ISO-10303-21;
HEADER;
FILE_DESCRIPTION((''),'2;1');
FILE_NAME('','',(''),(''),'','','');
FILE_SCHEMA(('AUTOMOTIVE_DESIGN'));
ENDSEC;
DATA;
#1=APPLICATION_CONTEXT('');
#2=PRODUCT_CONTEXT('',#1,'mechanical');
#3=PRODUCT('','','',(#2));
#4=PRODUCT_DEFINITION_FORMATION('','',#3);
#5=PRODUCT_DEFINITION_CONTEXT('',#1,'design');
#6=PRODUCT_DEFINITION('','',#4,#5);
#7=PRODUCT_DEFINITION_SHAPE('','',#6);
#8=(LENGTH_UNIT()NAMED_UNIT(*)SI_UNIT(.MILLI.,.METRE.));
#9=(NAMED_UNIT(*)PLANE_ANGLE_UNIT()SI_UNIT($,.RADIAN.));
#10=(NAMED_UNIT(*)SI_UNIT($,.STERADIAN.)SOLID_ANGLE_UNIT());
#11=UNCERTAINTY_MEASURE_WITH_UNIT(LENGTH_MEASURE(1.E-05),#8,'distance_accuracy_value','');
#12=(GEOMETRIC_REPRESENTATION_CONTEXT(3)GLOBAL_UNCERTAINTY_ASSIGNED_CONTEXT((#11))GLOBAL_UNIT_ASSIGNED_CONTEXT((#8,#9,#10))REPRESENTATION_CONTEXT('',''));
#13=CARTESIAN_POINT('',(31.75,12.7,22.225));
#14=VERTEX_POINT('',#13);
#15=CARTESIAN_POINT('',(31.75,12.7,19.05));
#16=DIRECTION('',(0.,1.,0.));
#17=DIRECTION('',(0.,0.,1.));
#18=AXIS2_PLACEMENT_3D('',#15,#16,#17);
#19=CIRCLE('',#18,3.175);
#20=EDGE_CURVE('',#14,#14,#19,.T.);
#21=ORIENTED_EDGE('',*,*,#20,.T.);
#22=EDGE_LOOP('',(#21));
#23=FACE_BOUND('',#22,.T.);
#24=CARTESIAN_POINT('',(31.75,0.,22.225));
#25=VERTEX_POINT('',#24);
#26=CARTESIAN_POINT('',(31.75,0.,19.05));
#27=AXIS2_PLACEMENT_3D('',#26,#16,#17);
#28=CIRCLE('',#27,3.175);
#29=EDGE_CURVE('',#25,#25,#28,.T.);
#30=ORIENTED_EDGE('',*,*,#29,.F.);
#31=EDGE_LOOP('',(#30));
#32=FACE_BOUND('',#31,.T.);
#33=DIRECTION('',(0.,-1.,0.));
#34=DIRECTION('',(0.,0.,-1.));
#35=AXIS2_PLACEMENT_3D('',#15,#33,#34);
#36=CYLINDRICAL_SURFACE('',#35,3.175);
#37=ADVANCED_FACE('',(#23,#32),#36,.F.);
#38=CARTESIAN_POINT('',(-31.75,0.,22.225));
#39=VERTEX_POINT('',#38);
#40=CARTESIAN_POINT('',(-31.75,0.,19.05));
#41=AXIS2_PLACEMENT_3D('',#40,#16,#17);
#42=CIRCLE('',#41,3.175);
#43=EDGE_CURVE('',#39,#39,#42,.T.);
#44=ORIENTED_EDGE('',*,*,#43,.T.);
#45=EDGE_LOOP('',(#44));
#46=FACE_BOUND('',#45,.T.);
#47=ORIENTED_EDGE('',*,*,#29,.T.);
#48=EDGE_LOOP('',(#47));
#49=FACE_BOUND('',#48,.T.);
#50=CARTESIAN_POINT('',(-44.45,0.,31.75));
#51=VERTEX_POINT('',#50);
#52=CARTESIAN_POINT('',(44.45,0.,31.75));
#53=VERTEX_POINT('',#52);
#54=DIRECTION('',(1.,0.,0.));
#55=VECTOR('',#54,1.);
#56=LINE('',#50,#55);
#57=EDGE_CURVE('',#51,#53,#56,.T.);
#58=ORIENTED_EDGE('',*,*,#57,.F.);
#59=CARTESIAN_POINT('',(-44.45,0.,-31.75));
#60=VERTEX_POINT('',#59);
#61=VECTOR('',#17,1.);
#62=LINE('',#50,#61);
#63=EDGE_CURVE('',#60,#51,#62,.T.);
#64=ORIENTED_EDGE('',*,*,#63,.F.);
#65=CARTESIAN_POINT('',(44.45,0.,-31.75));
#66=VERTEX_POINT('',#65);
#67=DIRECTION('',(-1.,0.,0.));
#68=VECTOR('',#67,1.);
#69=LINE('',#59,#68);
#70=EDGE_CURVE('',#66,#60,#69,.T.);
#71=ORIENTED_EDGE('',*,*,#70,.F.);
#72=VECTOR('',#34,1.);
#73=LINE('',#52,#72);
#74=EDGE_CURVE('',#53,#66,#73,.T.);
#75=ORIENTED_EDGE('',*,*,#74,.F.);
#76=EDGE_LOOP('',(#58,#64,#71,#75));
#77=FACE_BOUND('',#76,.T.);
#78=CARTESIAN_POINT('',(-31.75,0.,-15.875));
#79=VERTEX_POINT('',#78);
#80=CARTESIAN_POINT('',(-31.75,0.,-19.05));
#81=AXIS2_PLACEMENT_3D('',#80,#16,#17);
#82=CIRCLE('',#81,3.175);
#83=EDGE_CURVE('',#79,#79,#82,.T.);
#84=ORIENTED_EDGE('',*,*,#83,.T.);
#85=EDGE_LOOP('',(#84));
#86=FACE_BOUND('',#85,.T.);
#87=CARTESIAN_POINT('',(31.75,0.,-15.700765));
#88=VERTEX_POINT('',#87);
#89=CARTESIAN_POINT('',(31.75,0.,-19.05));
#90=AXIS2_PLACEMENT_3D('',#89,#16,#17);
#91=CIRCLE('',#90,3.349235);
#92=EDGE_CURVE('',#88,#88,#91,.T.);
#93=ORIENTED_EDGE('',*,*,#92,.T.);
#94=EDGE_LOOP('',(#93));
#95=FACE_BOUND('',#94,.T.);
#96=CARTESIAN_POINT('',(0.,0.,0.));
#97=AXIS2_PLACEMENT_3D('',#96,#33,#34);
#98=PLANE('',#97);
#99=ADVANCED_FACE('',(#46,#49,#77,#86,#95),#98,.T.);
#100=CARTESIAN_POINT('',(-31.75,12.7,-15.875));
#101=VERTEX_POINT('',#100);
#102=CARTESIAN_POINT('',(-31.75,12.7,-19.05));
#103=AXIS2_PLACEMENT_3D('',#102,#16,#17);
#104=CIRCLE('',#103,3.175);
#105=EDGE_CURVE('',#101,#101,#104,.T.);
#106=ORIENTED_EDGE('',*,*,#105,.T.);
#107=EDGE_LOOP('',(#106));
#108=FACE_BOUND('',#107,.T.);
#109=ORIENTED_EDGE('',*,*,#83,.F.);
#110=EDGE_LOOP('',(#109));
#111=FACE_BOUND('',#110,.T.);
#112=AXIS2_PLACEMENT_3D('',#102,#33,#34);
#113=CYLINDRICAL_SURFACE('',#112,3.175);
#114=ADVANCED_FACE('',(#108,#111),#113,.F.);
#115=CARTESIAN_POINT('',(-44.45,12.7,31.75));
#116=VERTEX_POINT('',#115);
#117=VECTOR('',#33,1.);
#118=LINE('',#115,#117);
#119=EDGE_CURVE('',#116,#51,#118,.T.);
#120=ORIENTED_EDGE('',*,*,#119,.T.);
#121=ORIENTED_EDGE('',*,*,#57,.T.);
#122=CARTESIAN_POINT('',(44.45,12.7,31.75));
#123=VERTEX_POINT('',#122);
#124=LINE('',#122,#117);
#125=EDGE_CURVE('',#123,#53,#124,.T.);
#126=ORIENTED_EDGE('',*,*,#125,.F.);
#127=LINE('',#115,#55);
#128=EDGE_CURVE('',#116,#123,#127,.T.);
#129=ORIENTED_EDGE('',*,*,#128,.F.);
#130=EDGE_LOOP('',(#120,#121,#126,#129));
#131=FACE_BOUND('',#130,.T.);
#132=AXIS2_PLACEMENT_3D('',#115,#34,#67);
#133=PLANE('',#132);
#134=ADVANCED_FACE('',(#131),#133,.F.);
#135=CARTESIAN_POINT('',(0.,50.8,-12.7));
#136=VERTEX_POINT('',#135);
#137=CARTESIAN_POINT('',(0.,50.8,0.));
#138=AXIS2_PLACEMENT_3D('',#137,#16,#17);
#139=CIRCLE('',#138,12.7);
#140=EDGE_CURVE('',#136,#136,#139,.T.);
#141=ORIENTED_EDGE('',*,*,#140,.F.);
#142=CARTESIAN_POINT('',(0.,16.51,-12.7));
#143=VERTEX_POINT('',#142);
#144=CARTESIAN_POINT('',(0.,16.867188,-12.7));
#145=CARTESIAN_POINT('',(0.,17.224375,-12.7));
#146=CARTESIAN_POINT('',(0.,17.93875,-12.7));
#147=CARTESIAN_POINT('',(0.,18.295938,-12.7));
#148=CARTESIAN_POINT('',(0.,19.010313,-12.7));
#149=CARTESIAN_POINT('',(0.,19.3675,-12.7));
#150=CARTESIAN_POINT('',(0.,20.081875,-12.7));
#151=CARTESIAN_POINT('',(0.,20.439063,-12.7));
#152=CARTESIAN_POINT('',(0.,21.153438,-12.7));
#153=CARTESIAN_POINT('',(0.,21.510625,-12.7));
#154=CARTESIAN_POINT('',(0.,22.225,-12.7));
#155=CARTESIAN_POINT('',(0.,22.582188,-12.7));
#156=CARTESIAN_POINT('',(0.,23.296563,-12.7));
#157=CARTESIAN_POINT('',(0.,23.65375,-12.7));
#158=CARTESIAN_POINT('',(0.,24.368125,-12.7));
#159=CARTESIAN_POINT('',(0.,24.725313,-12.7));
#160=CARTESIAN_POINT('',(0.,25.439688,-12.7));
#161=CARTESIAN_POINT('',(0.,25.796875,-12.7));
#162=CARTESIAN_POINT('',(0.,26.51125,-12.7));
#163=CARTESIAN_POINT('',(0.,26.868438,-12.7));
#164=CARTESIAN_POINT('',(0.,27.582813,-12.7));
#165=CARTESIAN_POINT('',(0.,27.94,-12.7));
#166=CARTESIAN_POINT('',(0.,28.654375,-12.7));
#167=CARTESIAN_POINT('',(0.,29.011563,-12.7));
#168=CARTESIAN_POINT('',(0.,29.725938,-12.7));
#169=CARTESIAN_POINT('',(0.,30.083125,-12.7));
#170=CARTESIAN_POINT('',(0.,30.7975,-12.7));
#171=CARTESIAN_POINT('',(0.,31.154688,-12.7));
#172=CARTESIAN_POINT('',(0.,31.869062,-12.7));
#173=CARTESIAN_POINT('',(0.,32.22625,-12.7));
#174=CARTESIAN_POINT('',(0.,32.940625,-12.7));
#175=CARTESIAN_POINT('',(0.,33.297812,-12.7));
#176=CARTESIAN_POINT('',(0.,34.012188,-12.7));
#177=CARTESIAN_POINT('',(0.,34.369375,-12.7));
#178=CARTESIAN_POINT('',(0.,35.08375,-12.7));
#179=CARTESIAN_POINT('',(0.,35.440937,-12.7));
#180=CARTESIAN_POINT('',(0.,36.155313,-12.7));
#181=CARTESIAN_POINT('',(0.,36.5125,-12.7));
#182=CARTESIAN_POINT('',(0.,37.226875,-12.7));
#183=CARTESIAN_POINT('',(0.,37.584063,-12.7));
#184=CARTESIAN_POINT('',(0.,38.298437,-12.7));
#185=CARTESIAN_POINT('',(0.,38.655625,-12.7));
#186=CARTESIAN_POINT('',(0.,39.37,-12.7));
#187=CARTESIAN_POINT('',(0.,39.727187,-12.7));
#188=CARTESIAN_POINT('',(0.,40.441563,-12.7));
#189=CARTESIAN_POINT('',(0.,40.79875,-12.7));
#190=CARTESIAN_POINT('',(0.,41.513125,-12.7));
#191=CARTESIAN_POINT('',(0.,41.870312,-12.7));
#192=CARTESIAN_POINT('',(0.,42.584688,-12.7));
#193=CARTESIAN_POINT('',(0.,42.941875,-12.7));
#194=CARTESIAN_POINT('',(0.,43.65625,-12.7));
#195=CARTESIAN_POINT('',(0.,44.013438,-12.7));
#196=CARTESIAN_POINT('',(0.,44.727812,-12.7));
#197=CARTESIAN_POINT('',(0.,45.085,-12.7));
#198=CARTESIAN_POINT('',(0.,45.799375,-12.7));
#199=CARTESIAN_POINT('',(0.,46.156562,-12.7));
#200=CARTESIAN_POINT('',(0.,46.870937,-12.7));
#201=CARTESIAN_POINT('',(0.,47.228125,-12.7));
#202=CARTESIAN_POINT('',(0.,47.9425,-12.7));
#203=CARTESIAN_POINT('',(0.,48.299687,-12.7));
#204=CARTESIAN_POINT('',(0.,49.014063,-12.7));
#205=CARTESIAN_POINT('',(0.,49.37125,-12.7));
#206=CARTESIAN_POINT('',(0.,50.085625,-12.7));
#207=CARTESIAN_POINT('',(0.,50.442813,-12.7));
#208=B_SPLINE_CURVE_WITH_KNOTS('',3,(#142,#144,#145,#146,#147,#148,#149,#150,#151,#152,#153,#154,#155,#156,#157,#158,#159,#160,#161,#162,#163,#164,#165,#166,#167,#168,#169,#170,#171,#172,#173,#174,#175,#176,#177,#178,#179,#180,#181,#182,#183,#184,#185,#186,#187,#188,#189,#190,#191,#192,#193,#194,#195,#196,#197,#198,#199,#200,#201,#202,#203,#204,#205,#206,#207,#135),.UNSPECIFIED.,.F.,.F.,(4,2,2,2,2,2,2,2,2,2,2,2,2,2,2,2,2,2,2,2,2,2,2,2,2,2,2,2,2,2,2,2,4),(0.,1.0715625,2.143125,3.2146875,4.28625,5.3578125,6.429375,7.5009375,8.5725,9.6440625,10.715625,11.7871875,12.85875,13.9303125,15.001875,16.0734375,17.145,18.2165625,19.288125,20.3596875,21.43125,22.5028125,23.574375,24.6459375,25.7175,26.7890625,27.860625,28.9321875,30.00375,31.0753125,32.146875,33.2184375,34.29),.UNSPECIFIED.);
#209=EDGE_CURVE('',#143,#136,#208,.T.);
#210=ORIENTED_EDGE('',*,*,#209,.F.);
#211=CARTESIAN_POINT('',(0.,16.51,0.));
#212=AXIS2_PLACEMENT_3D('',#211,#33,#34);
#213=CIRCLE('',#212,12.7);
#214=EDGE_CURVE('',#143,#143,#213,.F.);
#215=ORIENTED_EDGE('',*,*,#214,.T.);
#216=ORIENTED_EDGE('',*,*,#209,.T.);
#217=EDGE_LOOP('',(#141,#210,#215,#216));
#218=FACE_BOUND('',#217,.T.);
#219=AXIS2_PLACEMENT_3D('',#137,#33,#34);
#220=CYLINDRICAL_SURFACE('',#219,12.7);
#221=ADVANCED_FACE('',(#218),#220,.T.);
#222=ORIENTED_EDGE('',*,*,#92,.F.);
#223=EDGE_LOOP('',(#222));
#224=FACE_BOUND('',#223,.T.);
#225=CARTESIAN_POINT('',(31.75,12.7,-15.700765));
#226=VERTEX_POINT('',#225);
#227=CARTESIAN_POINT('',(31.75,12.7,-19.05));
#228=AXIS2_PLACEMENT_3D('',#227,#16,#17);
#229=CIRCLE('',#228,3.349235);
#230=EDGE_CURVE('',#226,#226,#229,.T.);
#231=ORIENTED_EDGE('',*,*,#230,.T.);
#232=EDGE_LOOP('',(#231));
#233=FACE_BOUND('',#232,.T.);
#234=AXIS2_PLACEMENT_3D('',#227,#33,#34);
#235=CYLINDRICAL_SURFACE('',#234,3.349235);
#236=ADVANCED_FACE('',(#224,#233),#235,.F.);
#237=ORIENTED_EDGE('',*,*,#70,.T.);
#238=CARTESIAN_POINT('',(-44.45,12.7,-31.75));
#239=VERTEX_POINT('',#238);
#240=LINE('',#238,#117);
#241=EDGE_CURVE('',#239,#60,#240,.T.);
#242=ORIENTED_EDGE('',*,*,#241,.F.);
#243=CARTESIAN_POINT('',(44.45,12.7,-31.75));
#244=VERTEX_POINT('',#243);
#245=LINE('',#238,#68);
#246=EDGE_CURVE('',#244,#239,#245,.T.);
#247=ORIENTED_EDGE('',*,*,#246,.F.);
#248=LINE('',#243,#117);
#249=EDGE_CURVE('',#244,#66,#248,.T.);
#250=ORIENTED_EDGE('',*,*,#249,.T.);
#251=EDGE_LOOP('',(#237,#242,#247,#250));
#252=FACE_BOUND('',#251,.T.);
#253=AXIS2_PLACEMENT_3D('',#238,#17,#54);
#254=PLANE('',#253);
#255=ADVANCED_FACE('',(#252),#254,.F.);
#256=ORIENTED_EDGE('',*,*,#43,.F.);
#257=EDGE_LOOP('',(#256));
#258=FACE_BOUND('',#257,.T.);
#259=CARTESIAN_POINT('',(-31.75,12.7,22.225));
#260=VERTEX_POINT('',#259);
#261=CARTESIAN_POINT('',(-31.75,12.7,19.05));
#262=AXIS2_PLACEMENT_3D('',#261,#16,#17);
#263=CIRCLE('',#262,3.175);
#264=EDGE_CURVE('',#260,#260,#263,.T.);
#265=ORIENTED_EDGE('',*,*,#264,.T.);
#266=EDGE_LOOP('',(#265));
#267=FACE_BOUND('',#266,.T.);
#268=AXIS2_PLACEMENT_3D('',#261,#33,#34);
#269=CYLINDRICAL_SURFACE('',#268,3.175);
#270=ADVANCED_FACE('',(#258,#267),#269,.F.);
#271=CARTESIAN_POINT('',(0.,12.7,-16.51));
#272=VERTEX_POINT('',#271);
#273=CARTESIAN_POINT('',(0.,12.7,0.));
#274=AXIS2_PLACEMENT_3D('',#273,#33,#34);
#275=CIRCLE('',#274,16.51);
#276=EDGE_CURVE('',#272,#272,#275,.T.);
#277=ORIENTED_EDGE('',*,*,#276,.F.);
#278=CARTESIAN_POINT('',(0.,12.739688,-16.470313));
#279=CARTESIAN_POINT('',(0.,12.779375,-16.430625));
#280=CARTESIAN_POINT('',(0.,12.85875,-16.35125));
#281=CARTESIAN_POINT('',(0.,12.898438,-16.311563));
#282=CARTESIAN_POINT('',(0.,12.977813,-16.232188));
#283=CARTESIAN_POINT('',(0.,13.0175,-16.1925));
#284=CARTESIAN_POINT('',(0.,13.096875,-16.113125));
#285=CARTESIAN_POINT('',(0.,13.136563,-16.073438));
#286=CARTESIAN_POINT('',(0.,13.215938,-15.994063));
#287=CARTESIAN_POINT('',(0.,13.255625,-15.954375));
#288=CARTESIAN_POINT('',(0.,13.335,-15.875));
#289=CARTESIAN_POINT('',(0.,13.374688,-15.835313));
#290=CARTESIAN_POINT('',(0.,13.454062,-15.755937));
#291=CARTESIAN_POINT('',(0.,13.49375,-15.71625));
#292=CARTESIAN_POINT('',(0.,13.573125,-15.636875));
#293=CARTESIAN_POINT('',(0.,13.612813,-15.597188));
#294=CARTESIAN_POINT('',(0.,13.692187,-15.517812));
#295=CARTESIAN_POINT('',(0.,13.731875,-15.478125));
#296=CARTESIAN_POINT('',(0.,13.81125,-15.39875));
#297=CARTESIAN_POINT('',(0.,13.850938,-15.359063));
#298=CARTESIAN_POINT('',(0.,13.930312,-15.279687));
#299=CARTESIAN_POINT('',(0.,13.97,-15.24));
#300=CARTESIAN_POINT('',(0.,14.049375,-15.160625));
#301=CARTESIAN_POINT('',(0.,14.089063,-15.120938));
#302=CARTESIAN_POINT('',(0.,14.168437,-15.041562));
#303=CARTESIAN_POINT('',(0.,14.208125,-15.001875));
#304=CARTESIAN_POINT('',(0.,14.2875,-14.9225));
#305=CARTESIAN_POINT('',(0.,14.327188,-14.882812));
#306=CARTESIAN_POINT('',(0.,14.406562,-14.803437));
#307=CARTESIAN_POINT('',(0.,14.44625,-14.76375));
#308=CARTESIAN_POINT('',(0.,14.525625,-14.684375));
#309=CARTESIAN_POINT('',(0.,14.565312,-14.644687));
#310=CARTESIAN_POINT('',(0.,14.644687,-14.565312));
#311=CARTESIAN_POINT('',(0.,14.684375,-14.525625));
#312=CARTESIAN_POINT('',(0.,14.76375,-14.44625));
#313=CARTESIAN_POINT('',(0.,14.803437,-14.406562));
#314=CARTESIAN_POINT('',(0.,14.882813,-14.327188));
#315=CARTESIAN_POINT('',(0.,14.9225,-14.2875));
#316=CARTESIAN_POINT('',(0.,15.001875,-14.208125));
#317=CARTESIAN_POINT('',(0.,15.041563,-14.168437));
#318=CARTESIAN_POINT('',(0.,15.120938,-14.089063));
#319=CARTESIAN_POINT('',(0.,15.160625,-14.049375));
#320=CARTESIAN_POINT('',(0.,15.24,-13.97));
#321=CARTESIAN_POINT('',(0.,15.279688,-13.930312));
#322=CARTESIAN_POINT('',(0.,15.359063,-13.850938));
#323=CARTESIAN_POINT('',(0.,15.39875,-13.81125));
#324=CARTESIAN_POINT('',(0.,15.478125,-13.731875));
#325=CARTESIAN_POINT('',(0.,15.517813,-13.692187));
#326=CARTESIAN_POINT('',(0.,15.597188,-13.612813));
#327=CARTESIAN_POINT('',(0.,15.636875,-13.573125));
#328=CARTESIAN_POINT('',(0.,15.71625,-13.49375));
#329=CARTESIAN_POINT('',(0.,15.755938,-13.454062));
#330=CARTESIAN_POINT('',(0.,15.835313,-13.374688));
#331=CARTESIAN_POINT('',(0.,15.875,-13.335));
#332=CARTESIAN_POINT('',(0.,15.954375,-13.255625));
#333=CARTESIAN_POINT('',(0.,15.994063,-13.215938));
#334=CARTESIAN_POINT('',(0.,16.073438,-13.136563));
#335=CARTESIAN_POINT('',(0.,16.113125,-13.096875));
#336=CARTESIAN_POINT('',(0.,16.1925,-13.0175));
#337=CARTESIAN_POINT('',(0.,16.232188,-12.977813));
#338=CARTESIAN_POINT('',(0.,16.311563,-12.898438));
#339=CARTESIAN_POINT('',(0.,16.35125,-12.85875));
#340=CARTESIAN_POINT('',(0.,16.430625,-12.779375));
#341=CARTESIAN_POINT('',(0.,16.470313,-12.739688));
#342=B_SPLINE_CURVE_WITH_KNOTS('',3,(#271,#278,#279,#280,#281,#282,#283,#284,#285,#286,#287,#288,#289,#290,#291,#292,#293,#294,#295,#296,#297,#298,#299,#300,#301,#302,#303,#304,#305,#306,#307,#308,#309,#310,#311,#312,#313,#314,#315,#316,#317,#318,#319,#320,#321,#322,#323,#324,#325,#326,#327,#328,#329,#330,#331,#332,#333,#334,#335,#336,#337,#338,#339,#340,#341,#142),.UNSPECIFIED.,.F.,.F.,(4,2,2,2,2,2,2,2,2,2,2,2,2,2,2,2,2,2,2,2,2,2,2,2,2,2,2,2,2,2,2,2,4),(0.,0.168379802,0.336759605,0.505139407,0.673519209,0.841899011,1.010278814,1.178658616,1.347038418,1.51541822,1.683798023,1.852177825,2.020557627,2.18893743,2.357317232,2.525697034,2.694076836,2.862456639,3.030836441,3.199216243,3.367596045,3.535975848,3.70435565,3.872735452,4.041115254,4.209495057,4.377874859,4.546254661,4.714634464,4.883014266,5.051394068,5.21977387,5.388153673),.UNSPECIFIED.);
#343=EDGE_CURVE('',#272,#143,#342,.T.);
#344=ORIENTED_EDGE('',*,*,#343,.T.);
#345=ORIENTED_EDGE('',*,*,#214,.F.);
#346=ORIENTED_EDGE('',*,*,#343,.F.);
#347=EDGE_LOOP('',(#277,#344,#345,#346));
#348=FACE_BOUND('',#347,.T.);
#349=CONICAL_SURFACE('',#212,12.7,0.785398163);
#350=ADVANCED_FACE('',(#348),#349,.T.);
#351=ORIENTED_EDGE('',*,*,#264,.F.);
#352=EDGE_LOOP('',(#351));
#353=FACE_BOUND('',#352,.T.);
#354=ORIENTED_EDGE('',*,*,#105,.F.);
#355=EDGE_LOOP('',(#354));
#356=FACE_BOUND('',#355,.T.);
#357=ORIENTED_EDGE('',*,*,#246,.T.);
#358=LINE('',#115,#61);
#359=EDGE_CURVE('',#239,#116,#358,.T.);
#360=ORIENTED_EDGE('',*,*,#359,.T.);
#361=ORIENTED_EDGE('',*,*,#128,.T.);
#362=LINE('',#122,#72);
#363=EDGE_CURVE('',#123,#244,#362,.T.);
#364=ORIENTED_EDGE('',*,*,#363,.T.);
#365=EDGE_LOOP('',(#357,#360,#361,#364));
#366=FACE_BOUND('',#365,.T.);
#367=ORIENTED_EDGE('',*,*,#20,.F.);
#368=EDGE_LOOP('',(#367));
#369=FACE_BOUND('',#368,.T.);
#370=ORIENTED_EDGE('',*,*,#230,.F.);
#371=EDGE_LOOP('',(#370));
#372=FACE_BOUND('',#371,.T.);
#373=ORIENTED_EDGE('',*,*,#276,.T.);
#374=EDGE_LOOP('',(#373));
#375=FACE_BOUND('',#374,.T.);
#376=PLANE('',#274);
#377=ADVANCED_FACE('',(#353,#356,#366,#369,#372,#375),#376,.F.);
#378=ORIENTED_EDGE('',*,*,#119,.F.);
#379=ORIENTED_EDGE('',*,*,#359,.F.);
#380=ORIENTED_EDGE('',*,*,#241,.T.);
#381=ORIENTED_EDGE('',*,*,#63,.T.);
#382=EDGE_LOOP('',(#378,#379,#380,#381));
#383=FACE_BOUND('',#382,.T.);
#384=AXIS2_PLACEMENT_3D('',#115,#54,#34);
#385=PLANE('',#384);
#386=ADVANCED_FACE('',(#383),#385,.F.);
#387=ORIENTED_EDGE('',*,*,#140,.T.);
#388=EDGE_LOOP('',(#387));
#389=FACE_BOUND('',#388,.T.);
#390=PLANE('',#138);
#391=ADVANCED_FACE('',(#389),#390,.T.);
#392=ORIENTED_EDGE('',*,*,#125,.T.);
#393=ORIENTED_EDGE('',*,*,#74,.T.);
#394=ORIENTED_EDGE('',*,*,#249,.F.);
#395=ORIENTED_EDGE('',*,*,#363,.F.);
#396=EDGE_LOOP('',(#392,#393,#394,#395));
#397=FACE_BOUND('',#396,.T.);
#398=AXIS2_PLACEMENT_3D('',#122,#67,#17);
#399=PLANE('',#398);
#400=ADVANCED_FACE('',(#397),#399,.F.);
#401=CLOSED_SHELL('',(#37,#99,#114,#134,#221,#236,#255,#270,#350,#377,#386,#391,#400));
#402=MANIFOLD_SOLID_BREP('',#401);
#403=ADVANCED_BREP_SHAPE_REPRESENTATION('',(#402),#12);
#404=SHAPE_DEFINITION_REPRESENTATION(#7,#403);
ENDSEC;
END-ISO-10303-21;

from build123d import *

# Parameters (mm, degrees)
SKETCH1_W           = 88.9
SKETCH1_H           = 63.5
SKETCH1_R           = 3.175
SKETCH1_R_2         = 3.349234597
BOSS_EXTRUDE1_DEPTH = 12.7
SKETCH2_R           = 12.7
BOSS_EXTRUDE2_DEPTH = 38.1
CHAMFER1_SIZE       = 3.81


with BuildPart() as part:
    # Sketch1 → Boss-Extrude1 (new body)
    with BuildSketch(Plane(origin=(0, 0, 0), x_dir=(1, 0, 0), z_dir=(0, 1, 0))):
        Rectangle(SKETCH1_W, SKETCH1_H)
        with Locations(Location((-31.75, 19.05, 0), (0, 0, 270))):
            Circle(SKETCH1_R, mode=Mode.SUBTRACT)
        with Locations(Location((-31.75, -19.05, 0), (0, 0, 270))):
            Circle(SKETCH1_R, mode=Mode.SUBTRACT)
        with Locations(Location((31.75, -19.05, 0), (0, 0, 270))):
            Circle(SKETCH1_R, mode=Mode.SUBTRACT)
        with Locations(Location((31.75, 19.05, 0), (0, 0, 270))):
            Circle(SKETCH1_R_2, mode=Mode.SUBTRACT)
    extrude(amount=BOSS_EXTRUDE1_DEPTH)

    # Sketch2 → Boss-Extrude2 (add)
    with BuildSketch(Plane(origin=(0, 12.7, 0), x_dir=(1, 0, 0), z_dir=(0, 1, 0))):
        with Locations(Location((0, 0, 0), (0, 0, 90))):
            Circle(SKETCH2_R)
    extrude(amount=BOSS_EXTRUDE2_DEPTH)

    # Chamfer1
    chamfer1_edges = [part.edges().sort_by_distance(p)[0] for p in [
        (0, 12.7, 12.7),
    ]]
    chamfer(chamfer1_edges, length=CHAMFER1_SIZE)


solid = part.part
